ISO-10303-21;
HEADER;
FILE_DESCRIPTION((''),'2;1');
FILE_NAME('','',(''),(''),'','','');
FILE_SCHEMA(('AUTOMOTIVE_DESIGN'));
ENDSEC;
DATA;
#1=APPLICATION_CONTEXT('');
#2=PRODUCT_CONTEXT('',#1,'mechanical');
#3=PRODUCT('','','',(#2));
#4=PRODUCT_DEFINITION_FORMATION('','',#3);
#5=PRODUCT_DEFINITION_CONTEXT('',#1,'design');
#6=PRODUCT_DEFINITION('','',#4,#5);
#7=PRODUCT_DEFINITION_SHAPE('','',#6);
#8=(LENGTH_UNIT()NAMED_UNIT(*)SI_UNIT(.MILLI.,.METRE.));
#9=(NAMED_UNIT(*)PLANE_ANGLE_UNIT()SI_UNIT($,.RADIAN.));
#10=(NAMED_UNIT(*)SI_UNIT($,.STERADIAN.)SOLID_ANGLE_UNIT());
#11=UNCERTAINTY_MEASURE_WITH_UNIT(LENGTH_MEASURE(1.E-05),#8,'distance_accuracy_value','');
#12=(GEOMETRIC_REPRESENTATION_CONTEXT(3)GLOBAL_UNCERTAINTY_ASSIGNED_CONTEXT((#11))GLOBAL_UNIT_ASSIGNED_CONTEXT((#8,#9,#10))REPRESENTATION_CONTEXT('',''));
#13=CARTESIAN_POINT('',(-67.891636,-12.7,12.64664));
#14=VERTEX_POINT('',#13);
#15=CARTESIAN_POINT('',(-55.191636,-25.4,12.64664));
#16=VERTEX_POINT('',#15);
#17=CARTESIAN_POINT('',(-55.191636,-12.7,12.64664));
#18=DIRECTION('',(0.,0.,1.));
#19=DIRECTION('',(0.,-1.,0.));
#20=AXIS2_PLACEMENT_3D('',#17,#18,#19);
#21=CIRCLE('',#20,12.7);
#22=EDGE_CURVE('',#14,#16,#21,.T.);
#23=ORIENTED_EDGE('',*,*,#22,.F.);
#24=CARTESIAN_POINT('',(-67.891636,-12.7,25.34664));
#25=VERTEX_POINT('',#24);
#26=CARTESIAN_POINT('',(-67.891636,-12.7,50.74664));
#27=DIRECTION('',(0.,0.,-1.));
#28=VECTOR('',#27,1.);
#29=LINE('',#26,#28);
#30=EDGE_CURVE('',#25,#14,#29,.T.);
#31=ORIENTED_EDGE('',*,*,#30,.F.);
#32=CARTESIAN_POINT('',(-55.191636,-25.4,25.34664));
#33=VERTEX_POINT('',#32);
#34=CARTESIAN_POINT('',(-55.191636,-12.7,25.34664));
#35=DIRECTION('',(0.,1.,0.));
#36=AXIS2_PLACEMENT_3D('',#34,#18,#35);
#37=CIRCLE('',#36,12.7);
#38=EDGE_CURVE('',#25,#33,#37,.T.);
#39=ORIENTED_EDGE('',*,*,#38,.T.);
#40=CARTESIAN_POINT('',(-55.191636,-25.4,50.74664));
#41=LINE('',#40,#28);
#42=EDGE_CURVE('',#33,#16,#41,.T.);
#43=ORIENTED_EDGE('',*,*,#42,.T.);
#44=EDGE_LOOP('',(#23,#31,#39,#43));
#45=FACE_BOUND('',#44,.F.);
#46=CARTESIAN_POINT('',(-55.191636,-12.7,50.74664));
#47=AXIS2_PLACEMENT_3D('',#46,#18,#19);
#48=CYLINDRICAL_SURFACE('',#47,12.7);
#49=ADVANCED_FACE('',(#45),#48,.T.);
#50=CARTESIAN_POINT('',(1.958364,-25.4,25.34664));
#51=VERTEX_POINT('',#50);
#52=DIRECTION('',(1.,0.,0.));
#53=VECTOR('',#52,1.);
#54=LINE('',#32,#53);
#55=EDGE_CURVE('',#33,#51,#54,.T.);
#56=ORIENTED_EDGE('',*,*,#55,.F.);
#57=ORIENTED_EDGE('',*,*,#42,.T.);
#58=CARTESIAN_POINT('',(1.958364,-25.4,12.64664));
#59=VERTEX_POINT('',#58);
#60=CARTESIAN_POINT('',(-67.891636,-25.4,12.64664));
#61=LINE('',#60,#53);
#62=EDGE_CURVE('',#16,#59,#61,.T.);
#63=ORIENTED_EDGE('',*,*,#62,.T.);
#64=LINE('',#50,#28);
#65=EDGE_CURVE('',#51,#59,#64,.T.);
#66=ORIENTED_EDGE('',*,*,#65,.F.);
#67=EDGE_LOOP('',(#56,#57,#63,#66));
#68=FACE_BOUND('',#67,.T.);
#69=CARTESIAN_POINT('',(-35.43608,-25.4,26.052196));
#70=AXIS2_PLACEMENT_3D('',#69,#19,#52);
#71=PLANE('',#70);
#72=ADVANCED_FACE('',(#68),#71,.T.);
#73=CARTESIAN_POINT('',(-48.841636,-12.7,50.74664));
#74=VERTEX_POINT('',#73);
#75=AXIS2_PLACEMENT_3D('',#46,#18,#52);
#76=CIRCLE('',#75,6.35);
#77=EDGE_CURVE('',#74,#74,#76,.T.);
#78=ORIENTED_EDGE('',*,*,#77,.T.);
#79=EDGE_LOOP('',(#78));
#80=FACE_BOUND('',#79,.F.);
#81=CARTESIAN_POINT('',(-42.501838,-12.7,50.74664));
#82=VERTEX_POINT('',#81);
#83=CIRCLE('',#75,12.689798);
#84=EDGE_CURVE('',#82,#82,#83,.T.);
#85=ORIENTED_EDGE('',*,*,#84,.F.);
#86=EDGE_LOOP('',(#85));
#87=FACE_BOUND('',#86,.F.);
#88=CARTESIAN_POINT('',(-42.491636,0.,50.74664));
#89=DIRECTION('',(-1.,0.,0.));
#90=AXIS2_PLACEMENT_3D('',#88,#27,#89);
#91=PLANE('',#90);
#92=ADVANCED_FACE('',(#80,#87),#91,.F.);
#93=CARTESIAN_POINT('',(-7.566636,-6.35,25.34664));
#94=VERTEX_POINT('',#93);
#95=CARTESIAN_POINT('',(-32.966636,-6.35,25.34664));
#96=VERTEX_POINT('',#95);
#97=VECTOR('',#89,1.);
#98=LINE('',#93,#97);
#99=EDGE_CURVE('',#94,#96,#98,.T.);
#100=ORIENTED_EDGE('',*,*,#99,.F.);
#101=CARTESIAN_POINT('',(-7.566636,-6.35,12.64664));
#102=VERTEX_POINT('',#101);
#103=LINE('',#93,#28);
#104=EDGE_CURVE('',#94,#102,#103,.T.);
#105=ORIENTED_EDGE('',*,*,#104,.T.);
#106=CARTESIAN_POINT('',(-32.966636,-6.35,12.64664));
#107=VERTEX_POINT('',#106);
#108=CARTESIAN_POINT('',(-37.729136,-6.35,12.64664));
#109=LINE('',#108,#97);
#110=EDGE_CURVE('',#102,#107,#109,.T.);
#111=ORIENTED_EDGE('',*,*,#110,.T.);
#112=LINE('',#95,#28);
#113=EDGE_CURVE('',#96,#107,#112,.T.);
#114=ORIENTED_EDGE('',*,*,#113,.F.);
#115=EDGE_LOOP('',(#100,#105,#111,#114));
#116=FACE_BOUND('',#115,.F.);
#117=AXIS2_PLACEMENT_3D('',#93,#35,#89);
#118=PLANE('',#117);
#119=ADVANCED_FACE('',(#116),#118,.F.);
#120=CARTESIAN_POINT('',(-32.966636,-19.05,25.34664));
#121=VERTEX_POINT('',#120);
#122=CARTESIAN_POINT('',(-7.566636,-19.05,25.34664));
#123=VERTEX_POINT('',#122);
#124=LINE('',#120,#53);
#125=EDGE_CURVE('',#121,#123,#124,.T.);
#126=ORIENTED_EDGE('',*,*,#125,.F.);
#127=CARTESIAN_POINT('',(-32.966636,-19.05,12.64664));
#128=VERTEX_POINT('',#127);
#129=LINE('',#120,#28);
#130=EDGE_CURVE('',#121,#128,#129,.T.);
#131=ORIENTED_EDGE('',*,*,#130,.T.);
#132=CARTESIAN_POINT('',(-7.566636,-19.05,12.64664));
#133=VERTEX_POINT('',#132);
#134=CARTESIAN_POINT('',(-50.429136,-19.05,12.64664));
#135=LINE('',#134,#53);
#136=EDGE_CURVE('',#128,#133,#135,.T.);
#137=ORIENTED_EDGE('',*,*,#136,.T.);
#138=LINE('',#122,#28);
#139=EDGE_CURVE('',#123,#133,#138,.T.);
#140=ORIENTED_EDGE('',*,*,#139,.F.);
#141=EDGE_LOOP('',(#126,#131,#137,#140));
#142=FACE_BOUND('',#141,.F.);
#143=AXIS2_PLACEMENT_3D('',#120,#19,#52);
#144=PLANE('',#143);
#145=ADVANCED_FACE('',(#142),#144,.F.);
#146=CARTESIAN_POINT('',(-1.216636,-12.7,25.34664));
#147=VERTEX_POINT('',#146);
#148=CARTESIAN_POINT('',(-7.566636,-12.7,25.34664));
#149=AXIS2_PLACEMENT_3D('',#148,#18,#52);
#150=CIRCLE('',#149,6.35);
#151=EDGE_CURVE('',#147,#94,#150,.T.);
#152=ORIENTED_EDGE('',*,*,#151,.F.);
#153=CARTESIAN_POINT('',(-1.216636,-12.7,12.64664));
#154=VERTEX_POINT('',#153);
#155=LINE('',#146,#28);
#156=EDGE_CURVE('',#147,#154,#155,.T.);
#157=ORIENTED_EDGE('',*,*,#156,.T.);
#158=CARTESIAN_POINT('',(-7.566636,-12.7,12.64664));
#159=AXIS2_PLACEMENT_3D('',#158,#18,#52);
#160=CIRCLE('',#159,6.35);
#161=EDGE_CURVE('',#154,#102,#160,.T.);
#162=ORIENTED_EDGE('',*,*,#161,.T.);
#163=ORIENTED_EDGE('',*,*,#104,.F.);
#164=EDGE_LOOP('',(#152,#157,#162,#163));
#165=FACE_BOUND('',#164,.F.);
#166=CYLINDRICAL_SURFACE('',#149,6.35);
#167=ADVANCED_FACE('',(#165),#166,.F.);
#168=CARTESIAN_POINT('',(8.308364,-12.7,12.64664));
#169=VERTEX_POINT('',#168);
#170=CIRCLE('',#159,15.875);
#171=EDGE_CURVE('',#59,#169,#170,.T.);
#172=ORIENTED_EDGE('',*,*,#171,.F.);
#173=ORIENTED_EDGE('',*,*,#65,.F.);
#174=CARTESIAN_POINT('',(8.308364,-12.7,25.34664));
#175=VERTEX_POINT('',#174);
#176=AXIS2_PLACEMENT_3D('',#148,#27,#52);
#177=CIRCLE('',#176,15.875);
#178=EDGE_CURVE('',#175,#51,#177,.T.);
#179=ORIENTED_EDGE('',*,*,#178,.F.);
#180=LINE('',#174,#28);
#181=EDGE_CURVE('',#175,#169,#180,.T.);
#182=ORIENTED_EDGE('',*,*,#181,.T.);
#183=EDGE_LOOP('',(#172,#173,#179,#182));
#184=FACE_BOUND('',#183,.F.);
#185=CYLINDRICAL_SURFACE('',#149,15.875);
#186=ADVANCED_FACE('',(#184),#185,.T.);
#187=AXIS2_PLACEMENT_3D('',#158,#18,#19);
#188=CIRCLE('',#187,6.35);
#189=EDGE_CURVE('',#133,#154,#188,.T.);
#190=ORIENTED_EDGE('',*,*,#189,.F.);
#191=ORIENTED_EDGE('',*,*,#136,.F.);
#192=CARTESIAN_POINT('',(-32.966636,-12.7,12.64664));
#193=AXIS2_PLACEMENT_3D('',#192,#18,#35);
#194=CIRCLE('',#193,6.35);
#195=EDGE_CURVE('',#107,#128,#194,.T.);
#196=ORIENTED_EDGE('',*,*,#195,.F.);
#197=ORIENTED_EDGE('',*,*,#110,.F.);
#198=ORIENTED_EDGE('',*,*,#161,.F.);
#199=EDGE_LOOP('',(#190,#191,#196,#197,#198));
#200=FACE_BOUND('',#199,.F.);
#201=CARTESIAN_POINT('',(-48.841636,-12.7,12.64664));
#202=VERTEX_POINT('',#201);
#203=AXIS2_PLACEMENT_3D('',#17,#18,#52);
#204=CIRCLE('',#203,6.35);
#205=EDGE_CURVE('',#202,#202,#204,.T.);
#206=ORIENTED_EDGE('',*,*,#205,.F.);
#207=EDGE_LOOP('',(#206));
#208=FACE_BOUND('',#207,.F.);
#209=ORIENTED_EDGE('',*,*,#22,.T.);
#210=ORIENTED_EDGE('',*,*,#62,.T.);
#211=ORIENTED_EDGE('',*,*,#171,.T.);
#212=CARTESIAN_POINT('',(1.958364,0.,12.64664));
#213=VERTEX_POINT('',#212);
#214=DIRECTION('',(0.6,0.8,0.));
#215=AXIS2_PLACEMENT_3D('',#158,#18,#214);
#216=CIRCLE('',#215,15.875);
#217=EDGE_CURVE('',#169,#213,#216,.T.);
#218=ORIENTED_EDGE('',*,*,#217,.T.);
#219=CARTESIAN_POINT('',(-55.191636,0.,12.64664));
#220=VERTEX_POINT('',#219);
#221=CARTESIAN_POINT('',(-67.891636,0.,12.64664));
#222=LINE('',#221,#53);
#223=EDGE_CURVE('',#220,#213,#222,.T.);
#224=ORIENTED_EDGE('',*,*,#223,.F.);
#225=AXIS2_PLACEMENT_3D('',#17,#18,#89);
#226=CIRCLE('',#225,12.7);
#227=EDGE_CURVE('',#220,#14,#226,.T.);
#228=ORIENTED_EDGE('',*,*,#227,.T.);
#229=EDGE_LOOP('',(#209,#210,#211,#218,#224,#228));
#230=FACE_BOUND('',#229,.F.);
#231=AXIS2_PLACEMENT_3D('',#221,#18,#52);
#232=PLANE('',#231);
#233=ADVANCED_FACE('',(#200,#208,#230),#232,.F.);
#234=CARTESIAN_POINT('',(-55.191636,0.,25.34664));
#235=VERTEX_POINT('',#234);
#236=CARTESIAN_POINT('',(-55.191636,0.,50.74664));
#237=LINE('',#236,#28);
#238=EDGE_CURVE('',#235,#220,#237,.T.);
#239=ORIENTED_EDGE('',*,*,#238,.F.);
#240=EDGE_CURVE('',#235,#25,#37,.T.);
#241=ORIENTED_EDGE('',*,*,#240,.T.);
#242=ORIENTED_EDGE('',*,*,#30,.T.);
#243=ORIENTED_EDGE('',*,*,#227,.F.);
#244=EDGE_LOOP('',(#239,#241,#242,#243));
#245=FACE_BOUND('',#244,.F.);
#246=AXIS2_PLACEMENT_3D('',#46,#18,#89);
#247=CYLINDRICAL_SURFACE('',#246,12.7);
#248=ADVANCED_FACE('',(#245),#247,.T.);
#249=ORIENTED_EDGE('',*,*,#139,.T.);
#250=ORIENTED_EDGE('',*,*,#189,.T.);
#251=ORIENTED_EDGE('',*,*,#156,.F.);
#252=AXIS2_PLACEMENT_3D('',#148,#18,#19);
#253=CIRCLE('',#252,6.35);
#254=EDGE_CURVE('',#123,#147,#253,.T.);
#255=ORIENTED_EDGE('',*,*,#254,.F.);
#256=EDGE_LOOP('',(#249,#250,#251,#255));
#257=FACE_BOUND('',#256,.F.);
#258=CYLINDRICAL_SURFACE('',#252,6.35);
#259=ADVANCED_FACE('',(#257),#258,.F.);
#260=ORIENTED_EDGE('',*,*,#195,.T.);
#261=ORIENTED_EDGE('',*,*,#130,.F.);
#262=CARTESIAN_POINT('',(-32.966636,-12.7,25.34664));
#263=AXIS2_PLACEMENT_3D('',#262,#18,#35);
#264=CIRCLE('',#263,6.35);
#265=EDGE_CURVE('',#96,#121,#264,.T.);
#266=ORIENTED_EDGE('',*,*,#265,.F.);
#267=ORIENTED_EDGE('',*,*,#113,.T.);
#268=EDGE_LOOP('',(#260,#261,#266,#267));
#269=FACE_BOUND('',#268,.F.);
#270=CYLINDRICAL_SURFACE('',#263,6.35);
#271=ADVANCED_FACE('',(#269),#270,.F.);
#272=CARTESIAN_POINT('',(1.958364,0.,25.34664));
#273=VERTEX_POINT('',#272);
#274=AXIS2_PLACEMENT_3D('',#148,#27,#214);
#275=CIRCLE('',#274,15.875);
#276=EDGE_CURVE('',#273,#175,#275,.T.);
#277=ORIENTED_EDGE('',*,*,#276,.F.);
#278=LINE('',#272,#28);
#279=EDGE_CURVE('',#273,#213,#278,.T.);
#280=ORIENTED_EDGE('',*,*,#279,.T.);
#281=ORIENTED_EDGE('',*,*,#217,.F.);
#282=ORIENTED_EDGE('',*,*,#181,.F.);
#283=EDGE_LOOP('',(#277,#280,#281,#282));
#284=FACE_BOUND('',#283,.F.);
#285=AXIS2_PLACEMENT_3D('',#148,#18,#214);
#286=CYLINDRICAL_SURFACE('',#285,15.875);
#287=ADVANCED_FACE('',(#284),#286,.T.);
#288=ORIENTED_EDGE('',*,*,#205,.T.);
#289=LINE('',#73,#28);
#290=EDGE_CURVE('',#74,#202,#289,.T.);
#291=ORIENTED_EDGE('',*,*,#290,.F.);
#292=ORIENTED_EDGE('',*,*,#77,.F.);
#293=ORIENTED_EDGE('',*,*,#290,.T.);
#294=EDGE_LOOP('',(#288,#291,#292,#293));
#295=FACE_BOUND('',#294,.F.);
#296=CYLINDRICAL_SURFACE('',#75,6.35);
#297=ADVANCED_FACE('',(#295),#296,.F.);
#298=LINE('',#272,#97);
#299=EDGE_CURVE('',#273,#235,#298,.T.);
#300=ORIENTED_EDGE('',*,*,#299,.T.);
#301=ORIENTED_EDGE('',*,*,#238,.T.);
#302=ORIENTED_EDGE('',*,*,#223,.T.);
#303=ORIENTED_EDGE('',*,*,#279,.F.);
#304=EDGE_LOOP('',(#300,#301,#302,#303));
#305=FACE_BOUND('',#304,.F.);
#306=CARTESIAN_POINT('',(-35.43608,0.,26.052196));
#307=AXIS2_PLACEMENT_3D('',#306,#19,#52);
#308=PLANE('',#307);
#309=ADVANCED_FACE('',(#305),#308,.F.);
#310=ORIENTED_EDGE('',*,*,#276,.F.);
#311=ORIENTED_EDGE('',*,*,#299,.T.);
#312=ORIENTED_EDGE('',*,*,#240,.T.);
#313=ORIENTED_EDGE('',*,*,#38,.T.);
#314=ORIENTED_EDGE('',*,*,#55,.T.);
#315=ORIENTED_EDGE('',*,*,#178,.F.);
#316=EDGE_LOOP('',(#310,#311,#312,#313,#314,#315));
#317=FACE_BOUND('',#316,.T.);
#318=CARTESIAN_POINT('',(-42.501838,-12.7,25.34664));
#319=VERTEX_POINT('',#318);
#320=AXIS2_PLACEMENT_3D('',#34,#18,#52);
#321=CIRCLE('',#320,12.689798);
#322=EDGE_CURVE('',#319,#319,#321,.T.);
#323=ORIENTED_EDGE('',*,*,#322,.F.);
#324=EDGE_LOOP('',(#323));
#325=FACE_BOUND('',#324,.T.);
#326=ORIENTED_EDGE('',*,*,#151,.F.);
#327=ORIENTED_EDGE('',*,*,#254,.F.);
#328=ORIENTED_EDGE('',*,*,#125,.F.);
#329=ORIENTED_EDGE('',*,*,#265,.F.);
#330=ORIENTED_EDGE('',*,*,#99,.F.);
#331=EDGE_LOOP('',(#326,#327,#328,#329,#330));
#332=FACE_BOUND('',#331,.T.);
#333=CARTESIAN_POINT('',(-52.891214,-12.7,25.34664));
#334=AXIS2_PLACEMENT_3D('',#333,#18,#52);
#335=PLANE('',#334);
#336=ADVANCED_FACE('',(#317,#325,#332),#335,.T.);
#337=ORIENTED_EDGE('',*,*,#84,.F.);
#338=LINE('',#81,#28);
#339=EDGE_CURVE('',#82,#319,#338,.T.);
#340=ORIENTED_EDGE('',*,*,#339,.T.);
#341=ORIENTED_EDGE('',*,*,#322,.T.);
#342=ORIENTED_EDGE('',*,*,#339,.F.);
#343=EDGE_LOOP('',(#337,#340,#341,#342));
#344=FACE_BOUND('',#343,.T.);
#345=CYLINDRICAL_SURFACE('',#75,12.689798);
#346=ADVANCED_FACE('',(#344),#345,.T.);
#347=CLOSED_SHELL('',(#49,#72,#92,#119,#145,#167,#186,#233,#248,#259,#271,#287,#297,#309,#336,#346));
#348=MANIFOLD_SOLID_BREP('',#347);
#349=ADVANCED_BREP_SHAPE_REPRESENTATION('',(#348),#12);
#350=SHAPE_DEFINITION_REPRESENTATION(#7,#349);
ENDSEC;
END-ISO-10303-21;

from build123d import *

# Parameters (mm, degrees)
F1_DEPTH  = 25.4
F3_DEPTH  = 12.701
F5_DEPTH  = 38.101
F6_R      = 12.6897983803
F7_DEPTH  = 25.4
F8_R      = 6.35
F9_DEPTH  = 38.101
F11_DEPTH = 12.701


with BuildPart() as f1:
    # F0 (on Front) → F1 (new body)
    with BuildSketch(Plane.XZ):
        Polygon((-67.8916360141, 50.7466404207), (-67.8916360141, 47.1607576076), (-67.8916360141, 12.6466404207), (8.3083639859, 12.6466404207), (8.3083639859, 25.3466404207), (-42.4916360141, 25.3466404207), (-42.4916360141, 50.7466404207), align=None)
    extrude(amount=F1_DEPTH)

    # F2 (on face) → F3 (cut, through all)
    with BuildSketch(Plane.XY.offset(25.3466404207)):
        with BuildLine():
            ThreePointArc((1.9583639859, 0), (6.632395643, -5.6004841714), (8.3083639859, -12.7))
            Line((8.3083639859, -12.7), (8.3083639859, 0))
            Line((8.3083639859, 0), (1.9583639859, 0))
        make_face()
        with BuildLine():
            ThreePointArc((8.3083639859, -12.7), (6.632395643, -19.7995158286), (1.9583639859, -25.4))
            Line((1.9583639859, -25.4), (8.3083639859, -25.4))
            Line((8.3083639859, -25.4), (8.3083639859, -12.7))
        make_face()
    extrude(amount=-F3_DEPTH, mode=Mode.SUBTRACT)

    # F4 (on face) → F5 (cut, through all)
    with BuildSketch(Plane.XY.offset(50.7466404207)):
        with BuildLine():
            ThreePointArc((-67.8916360141, -12.7), (-64.1718921352, -3.7197438789), (-55.1916360141, 0))
            Line((-55.1916360141, 0), (-67.8916360141, 0))
            Line((-67.8916360141, 0), (-67.8916360141, -12.7))
        make_face()
        with BuildLine():
            Line((-67.8916360141, -25.4), (-55.1916360141, -25.4))
            ThreePointArc((-55.1916360141, -25.4), (-64.1718921352, -21.6802561211), (-67.8916360141, -12.7))
            Line((-67.8916360141, -12.7), (-67.8916360141, -25.4))
        make_face()
    extrude(amount=-F5_DEPTH, mode=Mode.SUBTRACT)

    # F6 (on face) → F7 (cut)
    with BuildSketch(Plane.XY.offset(50.7466404207)):
        with BuildLine():
            Line((-42.4916360141, -25.4), (-42.4916360141, 0))
            Line((-42.4916360141, 0), (-55.1916360141, 0))
            ThreePointArc((-55.1916360141, 0), (-67.8916360141, -12.7), (-55.1916360141, -25.4))
            Line((-55.1916360141, -25.4), (-42.4916360141, -25.4))
        make_face()
        with Locations((-55.1916360141, -12.7)):
            Circle(F6_R, mode=Mode.SUBTRACT)
    extrude(amount=-F7_DEPTH, mode=Mode.SUBTRACT)

    # F8 (on face) → F9 (cut, through all)
    with BuildSketch(Plane.XY.offset(50.7466404207)):
        with Locations((-55.1916360141, -12.7)):
            Circle(F8_R)
    extrude(amount=-F9_DEPTH, mode=Mode.SUBTRACT)

    # F10 (on face) → F11 (cut, through all)
    with BuildSketch(Plane.XY.offset(25.3466404207)):
        with BuildLine():
            ThreePointArc((-7.5666360141, -19.05), (-3.0765079536, -17.1901280605), (-1.2166360141, -12.7))
            ThreePointArc((-1.2166360141, -12.7), (-3.0765079536, -8.2098719395), (-7.5666360141, -6.35))
            Line((-7.5666360141, -6.35), (-7.5666360141, -19.05))
        make_face()
        with BuildLine():
            Line((-7.5666360141, -19.05), (-7.5666360141, -6.35))
            ThreePointArc((-7.5666360141, -6.35), (-13.9166360141, -12.7), (-7.5666360141, -19.05))
        make_face()
        with BuildLine():
            ThreePointArc((-7.5666360141, -19.05), (-13.9166360141, -12.7), (-7.5666360141, -6.35))
            Line((-7.5666360141, -6.35), (-32.9666360141, -6.35))
            ThreePointArc((-32.9666360141, -6.35), (-28.4765079536, -8.2098719395), (-26.6166360141, -12.7))
            ThreePointArc((-26.6166360141, -12.7), (-28.4765079536, -17.1901280605), (-32.9666360141, -19.05))
            Line((-32.9666360141, -19.05), (-7.5666360141, -19.05))
        make_face()
        with BuildLine():
            Line((-32.9666360141, -12.7), (-32.9666360141, -6.35))
            ThreePointArc((-32.9666360141, -6.35), (-39.3166360141, -12.7), (-32.9666360141, -19.05))
            Line((-32.9666360141, -19.05), (-32.9666360141, -12.7))
        make_face()
        with BuildLine():
            ThreePointArc((-26.6166360141, -12.7), (-28.4765079536, -8.2098719395), (-32.9666360141, -6.35))
            Line((-32.9666360141, -6.35), (-32.9666360141, -12.7))
            Line((-32.9666360141, -12.7), (-32.9666360141, -19.05))
            ThreePointArc((-32.9666360141, -19.05), (-28.4765079536, -17.1901280605), (-26.6166360141, -12.7))
        make_face()
    extrude(amount=-F11_DEPTH, mode=Mode.SUBTRACT)


solid = f1.part
